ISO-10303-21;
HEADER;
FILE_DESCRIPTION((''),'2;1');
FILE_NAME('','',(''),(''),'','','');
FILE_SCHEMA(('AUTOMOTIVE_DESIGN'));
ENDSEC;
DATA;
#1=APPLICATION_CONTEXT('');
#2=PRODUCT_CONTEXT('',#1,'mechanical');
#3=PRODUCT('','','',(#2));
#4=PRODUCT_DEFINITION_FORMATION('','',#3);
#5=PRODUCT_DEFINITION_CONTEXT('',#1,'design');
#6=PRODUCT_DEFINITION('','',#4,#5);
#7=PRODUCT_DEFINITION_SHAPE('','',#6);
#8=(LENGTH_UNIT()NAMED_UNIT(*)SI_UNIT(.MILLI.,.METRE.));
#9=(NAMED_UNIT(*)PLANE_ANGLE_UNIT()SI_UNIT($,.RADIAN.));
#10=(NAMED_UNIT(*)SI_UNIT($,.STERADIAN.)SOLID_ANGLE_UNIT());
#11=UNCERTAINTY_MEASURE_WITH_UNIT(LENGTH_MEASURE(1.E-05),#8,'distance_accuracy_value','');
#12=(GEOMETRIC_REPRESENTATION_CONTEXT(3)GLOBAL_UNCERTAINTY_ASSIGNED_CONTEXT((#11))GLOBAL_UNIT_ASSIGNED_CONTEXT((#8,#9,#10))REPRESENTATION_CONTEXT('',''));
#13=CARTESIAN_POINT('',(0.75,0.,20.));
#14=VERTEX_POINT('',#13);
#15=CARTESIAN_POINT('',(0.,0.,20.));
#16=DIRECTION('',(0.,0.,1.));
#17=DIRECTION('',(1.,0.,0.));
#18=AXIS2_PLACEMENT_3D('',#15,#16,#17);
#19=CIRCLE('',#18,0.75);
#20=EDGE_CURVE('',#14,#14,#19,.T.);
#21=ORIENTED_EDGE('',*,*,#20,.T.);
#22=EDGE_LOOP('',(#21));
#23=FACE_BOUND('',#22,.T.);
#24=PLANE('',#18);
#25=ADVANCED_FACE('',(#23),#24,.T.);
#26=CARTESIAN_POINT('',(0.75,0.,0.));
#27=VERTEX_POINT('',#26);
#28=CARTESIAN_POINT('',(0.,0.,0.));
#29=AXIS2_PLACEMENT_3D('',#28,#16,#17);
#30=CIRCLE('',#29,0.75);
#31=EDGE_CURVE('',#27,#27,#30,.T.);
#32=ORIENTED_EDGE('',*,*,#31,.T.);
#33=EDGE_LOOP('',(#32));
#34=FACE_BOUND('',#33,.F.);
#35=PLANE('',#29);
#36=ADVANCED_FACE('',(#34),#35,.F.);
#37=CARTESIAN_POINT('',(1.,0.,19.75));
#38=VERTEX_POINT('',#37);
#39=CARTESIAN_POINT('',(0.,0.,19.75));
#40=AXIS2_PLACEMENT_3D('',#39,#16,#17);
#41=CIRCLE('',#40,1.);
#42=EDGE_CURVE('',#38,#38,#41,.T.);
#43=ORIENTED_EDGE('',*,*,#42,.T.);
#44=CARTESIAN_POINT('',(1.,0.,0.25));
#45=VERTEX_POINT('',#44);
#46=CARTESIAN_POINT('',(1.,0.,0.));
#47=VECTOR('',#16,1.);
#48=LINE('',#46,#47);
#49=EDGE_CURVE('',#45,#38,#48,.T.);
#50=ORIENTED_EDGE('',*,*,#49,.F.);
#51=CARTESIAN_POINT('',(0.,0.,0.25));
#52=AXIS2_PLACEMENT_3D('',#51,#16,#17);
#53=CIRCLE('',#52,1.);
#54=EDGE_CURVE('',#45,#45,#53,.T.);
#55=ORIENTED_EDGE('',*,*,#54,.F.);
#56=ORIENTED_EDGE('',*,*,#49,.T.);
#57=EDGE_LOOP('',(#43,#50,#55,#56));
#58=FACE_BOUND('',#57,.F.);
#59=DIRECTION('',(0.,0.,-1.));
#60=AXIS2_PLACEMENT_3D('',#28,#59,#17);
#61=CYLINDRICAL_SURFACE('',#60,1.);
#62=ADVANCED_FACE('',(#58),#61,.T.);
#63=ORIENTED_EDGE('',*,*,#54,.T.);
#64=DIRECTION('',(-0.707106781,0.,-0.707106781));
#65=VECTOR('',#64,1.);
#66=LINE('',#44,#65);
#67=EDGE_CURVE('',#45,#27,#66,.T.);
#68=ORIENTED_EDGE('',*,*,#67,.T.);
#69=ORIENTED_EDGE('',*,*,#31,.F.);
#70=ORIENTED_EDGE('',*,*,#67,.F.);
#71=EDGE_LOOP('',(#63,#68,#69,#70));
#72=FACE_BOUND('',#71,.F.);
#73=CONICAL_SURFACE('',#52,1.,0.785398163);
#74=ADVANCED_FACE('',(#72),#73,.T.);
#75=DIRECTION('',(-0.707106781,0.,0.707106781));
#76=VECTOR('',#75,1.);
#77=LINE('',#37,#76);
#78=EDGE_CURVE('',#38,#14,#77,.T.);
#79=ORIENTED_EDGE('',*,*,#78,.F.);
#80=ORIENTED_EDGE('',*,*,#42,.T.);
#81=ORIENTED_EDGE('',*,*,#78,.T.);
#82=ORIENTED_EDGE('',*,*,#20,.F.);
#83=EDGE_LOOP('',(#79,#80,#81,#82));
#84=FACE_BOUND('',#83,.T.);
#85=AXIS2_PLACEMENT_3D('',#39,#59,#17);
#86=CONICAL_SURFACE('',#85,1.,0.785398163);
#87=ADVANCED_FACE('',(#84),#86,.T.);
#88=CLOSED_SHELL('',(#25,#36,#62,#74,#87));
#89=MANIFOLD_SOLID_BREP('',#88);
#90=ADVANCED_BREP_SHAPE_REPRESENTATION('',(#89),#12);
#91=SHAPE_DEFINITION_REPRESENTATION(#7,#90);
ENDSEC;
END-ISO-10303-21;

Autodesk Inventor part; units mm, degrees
ref_plane "YZ Plane" through (0, 0, 0) normal (1, 0, 0) x (0, 1, 0)
ref_plane "XZ Plane" through (0, 0, 0) normal (0, 1, 0) x (-1, 0, 0)
ref_plane "XY Plane" through (0, 0, 0) normal (0, 0, 1) x (1, 0, 0)
sketch "Sketch1" plane through (0, 0, 0) normal (0, 0, 1) x (1, 0, 0)
  circle A0 centre (0, 0) radius 1
  dimension "d0" = 2
extrude "Extrusion1" add sketch "Sketch1" along normal blind 20
chamfer "Chamfer1" distance 0.25 angle 45 2 edges at (-1, 0, 20) (-1, 0, 0)
properties part number "14"
